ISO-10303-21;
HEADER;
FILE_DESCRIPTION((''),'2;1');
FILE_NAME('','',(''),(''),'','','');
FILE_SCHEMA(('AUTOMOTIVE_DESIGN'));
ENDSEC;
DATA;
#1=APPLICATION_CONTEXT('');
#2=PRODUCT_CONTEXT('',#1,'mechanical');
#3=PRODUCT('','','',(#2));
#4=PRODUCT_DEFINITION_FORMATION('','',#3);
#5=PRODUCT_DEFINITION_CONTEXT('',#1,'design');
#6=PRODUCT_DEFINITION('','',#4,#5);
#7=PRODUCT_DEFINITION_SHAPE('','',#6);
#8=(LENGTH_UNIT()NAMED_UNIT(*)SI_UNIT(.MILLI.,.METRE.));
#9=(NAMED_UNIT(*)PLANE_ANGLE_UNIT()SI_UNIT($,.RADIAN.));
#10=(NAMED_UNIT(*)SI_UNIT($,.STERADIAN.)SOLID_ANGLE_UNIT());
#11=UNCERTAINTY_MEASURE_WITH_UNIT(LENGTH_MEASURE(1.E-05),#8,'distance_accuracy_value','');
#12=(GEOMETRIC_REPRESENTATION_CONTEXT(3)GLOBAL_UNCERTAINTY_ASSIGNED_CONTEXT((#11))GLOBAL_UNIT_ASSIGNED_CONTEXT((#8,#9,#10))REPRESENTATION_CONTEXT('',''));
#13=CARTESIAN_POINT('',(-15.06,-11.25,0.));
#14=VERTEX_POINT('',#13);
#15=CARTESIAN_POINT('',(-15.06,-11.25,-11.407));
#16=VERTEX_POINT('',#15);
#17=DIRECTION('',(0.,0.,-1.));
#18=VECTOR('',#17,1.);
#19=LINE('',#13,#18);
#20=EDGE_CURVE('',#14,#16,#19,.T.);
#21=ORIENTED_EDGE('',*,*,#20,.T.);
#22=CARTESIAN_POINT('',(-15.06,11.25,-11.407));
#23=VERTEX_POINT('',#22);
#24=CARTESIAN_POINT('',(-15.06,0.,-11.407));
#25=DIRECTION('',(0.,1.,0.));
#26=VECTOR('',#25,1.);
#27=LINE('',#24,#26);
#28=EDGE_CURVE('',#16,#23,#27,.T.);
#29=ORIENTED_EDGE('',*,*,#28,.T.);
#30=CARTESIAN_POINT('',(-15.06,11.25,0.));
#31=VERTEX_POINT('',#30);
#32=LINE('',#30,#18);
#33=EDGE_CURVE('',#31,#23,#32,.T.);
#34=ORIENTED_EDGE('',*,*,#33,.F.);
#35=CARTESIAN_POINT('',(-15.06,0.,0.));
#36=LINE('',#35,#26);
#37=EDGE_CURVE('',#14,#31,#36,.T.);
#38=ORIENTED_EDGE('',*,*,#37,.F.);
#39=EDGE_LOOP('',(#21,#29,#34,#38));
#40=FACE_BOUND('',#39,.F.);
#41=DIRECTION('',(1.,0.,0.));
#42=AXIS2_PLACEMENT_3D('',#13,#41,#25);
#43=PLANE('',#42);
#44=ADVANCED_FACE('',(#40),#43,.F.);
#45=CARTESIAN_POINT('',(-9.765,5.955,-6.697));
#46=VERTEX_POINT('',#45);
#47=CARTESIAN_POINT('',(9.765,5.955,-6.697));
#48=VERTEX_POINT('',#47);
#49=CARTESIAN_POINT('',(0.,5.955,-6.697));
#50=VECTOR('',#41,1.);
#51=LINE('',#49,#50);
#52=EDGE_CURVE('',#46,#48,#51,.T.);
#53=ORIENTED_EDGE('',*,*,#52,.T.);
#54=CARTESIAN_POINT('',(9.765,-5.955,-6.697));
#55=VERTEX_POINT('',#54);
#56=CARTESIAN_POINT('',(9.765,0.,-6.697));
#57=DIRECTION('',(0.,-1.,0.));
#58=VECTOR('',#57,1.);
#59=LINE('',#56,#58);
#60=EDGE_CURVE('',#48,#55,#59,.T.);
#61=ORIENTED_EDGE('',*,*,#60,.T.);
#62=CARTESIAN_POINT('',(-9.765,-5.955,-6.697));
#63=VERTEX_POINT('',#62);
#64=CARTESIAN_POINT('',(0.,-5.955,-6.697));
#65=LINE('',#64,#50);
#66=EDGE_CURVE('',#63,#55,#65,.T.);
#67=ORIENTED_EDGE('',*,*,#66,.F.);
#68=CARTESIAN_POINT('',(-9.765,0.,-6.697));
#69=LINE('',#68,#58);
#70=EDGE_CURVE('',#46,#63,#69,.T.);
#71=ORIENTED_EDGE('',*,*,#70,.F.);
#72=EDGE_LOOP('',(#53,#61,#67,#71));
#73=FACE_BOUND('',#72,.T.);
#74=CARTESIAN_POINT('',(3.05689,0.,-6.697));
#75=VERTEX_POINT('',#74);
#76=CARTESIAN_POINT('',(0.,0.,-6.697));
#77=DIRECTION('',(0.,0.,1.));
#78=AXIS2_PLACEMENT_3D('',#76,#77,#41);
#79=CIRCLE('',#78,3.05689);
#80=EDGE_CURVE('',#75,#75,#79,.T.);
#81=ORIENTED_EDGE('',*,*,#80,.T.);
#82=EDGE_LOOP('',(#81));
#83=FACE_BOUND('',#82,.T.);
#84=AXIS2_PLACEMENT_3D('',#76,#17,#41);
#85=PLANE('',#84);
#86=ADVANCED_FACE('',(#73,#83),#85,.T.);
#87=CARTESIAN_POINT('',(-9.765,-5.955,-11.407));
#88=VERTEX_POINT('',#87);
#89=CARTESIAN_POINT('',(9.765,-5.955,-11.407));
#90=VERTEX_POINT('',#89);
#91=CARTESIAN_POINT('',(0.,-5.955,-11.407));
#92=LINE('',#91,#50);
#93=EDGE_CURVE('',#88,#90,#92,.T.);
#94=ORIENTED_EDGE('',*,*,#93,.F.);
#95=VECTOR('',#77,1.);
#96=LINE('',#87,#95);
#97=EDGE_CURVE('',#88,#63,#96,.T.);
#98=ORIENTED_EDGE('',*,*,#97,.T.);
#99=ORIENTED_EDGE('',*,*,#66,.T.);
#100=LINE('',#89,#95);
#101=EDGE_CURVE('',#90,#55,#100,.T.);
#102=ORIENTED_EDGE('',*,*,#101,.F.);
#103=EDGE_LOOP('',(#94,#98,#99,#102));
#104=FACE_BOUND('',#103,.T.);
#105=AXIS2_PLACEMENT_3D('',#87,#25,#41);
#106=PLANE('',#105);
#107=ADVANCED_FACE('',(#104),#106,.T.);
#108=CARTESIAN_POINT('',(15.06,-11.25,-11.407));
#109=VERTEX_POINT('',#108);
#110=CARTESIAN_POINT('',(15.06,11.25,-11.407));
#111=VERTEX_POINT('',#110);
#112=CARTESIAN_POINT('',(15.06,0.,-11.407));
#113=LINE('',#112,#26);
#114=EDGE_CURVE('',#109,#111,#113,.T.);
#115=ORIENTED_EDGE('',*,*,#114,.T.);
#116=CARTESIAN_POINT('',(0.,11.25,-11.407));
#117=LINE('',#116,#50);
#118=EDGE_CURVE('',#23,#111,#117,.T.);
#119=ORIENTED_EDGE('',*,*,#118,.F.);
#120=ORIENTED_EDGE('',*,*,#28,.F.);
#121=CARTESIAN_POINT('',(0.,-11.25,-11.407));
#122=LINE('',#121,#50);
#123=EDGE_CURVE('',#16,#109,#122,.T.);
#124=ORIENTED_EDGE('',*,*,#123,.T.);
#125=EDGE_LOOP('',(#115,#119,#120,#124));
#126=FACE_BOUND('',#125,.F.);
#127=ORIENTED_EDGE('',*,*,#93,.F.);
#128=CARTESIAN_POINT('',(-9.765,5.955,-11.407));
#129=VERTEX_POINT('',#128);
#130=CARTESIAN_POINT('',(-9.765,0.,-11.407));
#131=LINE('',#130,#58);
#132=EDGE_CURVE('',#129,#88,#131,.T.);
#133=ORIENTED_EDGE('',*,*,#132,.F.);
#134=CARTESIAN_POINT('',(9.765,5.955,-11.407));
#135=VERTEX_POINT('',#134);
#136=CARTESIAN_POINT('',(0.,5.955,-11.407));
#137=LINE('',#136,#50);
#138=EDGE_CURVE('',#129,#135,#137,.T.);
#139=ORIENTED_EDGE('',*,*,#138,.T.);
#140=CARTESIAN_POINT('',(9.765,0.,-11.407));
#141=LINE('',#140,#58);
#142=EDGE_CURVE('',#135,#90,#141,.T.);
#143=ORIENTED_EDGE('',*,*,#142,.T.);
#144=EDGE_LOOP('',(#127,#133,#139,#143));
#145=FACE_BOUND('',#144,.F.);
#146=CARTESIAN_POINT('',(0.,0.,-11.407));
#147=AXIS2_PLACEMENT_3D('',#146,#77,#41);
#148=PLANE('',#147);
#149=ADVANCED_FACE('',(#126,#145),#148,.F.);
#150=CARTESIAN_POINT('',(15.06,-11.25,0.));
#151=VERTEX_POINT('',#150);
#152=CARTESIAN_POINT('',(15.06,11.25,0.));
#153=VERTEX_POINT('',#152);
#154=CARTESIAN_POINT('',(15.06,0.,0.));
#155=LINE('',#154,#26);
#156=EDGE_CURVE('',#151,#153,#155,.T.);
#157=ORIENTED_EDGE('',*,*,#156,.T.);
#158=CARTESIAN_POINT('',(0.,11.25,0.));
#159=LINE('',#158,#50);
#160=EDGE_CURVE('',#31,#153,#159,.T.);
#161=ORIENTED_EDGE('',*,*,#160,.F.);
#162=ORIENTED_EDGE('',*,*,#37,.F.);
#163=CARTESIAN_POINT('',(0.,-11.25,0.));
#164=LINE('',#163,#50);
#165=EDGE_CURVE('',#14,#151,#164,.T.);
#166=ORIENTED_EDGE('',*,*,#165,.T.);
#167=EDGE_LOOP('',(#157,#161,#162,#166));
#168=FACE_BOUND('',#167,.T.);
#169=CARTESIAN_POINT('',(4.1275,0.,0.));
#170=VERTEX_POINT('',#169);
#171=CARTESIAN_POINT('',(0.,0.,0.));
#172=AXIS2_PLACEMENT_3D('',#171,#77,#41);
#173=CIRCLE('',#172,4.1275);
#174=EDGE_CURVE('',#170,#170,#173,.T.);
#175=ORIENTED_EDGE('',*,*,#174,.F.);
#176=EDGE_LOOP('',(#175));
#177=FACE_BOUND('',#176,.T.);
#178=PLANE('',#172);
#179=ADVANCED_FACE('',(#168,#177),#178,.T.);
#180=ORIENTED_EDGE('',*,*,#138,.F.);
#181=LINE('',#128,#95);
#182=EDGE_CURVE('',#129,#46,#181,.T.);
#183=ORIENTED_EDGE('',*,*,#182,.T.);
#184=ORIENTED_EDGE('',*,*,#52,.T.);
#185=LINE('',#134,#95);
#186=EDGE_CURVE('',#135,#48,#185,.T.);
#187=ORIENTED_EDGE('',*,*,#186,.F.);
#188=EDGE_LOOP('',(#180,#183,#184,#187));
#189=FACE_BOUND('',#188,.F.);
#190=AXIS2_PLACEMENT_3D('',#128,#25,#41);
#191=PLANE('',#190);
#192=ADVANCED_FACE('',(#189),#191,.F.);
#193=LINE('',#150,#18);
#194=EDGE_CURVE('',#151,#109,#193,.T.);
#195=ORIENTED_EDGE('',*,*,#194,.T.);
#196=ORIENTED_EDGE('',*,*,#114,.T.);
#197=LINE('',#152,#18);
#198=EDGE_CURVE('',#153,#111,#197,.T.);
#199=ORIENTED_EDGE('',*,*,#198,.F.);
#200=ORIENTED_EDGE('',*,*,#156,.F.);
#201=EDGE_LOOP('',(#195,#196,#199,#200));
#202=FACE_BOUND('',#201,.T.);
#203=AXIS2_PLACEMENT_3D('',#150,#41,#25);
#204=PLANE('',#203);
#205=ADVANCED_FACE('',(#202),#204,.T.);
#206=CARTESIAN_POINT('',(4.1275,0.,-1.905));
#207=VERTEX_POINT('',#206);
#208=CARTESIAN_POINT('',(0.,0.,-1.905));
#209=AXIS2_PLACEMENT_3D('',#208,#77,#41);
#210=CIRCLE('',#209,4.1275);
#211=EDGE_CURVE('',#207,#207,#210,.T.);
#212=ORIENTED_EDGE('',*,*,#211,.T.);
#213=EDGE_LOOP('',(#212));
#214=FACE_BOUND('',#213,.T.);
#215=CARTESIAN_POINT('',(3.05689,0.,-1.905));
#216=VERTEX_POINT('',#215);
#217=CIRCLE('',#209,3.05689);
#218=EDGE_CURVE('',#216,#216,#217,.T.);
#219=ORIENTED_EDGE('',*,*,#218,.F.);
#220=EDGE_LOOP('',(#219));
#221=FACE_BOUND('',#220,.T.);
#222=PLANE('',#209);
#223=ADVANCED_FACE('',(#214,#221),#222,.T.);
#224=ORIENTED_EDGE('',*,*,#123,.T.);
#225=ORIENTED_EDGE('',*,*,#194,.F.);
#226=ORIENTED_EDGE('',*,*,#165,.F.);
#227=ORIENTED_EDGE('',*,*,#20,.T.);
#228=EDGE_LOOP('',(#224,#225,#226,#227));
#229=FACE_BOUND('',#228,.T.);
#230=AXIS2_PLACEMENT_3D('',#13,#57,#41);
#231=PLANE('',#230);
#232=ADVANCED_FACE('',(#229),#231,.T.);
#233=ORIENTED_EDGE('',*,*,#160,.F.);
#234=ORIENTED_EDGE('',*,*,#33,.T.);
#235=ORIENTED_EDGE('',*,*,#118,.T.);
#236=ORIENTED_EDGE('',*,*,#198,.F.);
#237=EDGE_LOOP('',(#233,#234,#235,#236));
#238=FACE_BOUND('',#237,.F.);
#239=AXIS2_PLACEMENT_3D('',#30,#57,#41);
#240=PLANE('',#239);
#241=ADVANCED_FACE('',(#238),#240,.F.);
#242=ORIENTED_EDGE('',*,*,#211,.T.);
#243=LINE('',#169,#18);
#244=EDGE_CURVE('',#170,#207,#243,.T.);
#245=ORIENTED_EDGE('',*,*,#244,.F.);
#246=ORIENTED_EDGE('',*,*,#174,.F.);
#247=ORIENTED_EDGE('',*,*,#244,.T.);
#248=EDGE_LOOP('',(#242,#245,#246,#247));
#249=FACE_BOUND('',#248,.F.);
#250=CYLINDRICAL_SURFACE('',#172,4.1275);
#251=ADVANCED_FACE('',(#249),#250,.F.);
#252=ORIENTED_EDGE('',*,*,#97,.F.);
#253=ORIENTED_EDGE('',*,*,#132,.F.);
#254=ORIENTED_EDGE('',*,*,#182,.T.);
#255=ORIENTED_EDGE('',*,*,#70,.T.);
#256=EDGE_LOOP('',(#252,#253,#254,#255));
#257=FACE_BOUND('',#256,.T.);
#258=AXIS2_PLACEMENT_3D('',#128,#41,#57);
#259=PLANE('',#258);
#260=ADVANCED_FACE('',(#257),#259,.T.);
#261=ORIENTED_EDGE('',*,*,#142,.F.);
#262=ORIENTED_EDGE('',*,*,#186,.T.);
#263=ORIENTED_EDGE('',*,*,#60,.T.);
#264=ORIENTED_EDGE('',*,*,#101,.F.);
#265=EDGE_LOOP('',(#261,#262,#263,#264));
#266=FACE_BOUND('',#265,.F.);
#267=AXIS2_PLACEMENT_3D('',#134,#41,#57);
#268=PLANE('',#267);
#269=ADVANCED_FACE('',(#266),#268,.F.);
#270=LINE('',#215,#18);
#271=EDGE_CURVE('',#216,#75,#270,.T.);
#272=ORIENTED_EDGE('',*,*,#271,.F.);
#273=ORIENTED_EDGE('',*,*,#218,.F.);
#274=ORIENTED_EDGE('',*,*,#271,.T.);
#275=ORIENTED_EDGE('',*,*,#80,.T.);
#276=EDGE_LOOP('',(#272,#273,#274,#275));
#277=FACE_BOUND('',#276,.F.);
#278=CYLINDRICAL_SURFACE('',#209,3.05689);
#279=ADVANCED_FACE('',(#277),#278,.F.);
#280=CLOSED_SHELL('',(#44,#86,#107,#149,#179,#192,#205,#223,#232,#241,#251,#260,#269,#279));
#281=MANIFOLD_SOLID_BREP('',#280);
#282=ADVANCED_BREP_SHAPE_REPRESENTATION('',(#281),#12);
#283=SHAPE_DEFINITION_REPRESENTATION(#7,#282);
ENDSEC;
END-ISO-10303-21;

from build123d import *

# Parameters (mm, degrees)
F0_W     = 30.12
F0_H     = 22.5
F1_DEPTH = 11.407
F2_W     = 19.53
F2_H     = 11.91
F3_DEPTH = 4.71
F4_R     = 4.1275
F5_DEPTH = 1.905
F6_R     = 3.05689
F7_DEPTH = 6.0706


with BuildPart() as f1:
    # F0 (on Top) → F1 (new body)
    with BuildSketch(Plane.XY):
        Rectangle(F0_W, F0_H)
    extrude(amount=-F1_DEPTH)

    # F2 (on face) → F3 (cut)
    with BuildSketch(Plane(origin=(0, 0, -11.407), x_dir=(1, 0, 0), z_dir=(0, 0, -1))):
        Rectangle(F2_W, F2_H)
    extrude(amount=-F3_DEPTH, mode=Mode.SUBTRACT)

    # F4 (on face) → F5 (cut)
    with BuildSketch(Plane.XY):
        Circle(F4_R)
    extrude(amount=-F5_DEPTH, mode=Mode.SUBTRACT)

    # F6 (on face) → F7 (cut)
    with BuildSketch(Plane.XY.offset(-1.905)):
        Circle(F6_R)
    extrude(amount=-F7_DEPTH, mode=Mode.SUBTRACT)


solid = f1.part
